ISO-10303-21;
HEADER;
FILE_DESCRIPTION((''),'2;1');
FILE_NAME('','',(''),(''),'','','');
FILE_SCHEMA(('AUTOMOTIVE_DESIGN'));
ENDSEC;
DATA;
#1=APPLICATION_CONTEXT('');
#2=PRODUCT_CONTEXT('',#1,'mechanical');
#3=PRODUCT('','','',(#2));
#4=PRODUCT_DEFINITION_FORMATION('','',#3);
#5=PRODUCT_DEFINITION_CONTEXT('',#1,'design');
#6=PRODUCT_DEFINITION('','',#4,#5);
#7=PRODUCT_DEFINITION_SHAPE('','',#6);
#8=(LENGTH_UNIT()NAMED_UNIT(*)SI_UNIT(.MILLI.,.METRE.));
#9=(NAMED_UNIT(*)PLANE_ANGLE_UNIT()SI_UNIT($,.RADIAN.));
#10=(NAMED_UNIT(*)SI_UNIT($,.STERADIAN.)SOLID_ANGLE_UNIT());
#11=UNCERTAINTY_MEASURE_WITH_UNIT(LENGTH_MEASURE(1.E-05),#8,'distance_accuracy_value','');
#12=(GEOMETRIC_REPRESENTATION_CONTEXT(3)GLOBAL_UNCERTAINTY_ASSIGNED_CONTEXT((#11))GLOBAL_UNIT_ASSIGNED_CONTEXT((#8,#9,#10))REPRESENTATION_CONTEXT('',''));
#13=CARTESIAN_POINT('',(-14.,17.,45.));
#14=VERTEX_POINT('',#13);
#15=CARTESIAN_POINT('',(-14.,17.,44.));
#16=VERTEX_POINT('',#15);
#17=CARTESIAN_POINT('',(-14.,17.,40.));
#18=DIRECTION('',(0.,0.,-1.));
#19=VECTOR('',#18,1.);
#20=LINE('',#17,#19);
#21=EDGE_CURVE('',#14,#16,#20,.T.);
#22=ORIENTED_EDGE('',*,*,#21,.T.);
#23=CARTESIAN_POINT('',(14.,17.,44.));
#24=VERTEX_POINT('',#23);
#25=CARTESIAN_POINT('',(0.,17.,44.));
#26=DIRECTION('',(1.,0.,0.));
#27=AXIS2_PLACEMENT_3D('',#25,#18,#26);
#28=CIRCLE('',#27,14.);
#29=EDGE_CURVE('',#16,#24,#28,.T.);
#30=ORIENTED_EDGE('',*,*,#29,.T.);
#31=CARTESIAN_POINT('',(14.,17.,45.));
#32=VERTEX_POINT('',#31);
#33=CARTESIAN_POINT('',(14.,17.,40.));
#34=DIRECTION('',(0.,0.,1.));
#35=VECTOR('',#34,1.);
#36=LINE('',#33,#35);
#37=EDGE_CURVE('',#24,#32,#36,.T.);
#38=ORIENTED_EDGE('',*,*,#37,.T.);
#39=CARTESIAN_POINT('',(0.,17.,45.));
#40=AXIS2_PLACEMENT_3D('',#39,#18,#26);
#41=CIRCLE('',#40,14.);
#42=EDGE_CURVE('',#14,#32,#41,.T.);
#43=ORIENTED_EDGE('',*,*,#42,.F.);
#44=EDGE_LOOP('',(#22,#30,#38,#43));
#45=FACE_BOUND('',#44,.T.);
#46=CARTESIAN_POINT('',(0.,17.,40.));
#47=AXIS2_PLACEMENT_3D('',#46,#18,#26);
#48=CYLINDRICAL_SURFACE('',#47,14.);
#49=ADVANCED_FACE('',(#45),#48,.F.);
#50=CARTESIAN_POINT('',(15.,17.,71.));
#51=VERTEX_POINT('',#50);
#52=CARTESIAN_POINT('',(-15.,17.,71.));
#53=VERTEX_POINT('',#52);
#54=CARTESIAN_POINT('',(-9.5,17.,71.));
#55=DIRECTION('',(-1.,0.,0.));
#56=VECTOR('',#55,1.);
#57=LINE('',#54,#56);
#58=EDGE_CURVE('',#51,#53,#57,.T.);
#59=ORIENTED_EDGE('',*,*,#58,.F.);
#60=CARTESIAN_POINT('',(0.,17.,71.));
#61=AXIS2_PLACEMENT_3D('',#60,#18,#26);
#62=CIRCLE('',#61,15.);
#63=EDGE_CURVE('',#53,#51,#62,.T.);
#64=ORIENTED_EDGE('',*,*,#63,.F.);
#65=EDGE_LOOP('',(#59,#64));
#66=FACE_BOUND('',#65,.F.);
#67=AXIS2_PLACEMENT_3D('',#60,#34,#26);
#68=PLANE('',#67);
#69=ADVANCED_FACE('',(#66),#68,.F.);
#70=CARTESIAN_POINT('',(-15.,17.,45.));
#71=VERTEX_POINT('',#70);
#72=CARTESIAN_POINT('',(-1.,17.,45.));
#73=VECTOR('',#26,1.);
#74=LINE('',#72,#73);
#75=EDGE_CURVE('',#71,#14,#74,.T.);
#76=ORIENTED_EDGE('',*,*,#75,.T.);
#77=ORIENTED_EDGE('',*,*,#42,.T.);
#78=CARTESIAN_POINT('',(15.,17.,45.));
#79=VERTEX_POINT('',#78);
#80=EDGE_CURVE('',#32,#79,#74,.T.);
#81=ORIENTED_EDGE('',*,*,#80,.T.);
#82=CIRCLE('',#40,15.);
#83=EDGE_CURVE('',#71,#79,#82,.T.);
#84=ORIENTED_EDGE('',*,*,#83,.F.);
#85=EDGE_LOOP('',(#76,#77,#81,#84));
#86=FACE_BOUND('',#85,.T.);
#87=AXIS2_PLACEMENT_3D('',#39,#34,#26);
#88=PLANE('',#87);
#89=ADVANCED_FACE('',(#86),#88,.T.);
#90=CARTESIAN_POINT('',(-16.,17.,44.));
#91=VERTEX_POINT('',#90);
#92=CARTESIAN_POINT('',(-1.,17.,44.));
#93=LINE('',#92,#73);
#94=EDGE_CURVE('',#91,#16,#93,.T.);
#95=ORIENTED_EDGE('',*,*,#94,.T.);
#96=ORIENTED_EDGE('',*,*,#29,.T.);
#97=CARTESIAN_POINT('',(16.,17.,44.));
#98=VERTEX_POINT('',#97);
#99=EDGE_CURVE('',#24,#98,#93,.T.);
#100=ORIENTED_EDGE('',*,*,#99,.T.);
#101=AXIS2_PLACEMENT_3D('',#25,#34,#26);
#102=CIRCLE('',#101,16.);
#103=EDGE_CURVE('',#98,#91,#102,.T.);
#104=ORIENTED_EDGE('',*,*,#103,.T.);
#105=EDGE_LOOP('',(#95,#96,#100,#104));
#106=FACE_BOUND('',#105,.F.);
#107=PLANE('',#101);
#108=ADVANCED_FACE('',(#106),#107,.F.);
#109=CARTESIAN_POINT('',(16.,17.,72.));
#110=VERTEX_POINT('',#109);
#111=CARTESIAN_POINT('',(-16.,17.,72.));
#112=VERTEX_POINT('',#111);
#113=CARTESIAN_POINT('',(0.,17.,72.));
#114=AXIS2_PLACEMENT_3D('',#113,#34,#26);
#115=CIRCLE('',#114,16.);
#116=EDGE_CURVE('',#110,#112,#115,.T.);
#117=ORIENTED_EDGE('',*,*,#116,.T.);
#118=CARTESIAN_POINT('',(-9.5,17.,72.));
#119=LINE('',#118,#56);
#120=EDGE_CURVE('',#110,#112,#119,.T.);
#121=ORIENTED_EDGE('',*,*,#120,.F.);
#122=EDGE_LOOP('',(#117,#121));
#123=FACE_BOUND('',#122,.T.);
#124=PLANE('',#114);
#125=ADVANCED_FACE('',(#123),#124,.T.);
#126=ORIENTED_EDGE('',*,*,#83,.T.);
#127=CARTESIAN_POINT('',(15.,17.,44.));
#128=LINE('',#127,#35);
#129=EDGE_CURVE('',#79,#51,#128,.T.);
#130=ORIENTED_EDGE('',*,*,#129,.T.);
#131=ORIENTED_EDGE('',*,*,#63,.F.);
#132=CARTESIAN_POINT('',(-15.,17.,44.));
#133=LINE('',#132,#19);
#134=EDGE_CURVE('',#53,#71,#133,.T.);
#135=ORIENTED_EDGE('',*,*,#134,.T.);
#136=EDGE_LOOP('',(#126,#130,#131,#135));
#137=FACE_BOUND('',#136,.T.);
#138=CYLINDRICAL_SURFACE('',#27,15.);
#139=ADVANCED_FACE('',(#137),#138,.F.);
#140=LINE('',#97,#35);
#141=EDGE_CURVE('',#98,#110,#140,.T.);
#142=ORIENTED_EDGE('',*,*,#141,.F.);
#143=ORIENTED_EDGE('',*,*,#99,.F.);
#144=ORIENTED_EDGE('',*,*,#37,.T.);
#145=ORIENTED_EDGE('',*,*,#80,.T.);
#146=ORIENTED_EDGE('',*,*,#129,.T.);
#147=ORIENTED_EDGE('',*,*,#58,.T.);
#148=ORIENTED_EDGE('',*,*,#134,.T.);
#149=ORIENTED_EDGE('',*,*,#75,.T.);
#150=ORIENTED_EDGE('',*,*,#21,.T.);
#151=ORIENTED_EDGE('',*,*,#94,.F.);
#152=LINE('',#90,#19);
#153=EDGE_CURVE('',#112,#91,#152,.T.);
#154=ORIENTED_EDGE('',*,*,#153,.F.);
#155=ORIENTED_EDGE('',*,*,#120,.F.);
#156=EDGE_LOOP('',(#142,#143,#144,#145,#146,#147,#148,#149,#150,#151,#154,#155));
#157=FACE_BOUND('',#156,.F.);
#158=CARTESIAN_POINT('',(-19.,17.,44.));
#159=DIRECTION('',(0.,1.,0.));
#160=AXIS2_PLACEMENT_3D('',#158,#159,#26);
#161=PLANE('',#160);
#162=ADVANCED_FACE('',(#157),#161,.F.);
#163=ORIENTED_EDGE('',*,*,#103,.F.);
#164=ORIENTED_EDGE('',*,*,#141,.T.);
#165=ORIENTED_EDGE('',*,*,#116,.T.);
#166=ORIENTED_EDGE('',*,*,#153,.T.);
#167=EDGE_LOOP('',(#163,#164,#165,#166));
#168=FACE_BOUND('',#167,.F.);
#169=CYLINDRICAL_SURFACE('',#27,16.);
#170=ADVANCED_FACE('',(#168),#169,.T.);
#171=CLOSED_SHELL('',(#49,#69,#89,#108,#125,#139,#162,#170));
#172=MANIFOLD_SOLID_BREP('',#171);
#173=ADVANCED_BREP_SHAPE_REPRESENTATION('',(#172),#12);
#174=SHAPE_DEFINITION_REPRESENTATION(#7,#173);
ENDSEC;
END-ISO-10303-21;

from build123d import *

# Parameters (mm, degrees)
CYLINDER033_R     = 14
CYLINDER033_DEPTH = 20
BOX_W             = 36
BOX_H             = 16
BOX_DEPTH         = 41
CYLINDER030_R     = 16
CYLINDER030_DEPTH = 28
THICKNESS001_T    = -1


with BuildPart() as cilindro013:
    # Cylinder033 → Cylinder033 (new body)
    with BuildSketch(Plane(origin=(0, 17, 40), x_dir=(1, 0, 0), z_dir=(0, 0, 1))):
        Circle(CYLINDER033_R)
    extrude(amount=CYLINDER033_DEPTH)


with BuildPart() as cubo:
    # Box → Box (new body)
    with BuildSketch(Plane(origin=(-19, 1, 45), x_dir=(1, 0, 0), z_dir=(0, 0, 1))):
        with Locations((18, 8)):
            Rectangle(BOX_W, BOX_H)
    extrude(amount=BOX_DEPTH)


with BuildPart() as cut013016:
    # Cylinder030 → Cylinder030 (new body)
    with BuildSketch(Plane(origin=(0, 17, 45), x_dir=(1, 0, 0), z_dir=(0, 0, 1))):
        Circle(CYLINDER030_R)
    extrude(amount=CYLINDER030_DEPTH)

    # Cut013013: cut Cubo
    add(cubo.part, mode=Mode.SUBTRACT)


with BuildPart() as cut013016_1:
    # Cut013013 placement: moved
    add(cut013016.part.moved(Location((0, 5, 1))))

    # Thickness001
    thickness001_openings = [cut013016_1.faces().sort_by_distance(p)[0] for p in [
        (0, 22, 60),
    ]]
    offset(amount=THICKNESS001_T, openings=thickness001_openings)


with BuildPart() as cut013016_2:
    # Thickness001 placement: moved
    add(cut013016_1.part.moved(Location((0, -5, -2))))

    # Cut013016: cut Cilindro013
    add(cilindro013.part, mode=Mode.SUBTRACT)


solid = cut013016_2.part
